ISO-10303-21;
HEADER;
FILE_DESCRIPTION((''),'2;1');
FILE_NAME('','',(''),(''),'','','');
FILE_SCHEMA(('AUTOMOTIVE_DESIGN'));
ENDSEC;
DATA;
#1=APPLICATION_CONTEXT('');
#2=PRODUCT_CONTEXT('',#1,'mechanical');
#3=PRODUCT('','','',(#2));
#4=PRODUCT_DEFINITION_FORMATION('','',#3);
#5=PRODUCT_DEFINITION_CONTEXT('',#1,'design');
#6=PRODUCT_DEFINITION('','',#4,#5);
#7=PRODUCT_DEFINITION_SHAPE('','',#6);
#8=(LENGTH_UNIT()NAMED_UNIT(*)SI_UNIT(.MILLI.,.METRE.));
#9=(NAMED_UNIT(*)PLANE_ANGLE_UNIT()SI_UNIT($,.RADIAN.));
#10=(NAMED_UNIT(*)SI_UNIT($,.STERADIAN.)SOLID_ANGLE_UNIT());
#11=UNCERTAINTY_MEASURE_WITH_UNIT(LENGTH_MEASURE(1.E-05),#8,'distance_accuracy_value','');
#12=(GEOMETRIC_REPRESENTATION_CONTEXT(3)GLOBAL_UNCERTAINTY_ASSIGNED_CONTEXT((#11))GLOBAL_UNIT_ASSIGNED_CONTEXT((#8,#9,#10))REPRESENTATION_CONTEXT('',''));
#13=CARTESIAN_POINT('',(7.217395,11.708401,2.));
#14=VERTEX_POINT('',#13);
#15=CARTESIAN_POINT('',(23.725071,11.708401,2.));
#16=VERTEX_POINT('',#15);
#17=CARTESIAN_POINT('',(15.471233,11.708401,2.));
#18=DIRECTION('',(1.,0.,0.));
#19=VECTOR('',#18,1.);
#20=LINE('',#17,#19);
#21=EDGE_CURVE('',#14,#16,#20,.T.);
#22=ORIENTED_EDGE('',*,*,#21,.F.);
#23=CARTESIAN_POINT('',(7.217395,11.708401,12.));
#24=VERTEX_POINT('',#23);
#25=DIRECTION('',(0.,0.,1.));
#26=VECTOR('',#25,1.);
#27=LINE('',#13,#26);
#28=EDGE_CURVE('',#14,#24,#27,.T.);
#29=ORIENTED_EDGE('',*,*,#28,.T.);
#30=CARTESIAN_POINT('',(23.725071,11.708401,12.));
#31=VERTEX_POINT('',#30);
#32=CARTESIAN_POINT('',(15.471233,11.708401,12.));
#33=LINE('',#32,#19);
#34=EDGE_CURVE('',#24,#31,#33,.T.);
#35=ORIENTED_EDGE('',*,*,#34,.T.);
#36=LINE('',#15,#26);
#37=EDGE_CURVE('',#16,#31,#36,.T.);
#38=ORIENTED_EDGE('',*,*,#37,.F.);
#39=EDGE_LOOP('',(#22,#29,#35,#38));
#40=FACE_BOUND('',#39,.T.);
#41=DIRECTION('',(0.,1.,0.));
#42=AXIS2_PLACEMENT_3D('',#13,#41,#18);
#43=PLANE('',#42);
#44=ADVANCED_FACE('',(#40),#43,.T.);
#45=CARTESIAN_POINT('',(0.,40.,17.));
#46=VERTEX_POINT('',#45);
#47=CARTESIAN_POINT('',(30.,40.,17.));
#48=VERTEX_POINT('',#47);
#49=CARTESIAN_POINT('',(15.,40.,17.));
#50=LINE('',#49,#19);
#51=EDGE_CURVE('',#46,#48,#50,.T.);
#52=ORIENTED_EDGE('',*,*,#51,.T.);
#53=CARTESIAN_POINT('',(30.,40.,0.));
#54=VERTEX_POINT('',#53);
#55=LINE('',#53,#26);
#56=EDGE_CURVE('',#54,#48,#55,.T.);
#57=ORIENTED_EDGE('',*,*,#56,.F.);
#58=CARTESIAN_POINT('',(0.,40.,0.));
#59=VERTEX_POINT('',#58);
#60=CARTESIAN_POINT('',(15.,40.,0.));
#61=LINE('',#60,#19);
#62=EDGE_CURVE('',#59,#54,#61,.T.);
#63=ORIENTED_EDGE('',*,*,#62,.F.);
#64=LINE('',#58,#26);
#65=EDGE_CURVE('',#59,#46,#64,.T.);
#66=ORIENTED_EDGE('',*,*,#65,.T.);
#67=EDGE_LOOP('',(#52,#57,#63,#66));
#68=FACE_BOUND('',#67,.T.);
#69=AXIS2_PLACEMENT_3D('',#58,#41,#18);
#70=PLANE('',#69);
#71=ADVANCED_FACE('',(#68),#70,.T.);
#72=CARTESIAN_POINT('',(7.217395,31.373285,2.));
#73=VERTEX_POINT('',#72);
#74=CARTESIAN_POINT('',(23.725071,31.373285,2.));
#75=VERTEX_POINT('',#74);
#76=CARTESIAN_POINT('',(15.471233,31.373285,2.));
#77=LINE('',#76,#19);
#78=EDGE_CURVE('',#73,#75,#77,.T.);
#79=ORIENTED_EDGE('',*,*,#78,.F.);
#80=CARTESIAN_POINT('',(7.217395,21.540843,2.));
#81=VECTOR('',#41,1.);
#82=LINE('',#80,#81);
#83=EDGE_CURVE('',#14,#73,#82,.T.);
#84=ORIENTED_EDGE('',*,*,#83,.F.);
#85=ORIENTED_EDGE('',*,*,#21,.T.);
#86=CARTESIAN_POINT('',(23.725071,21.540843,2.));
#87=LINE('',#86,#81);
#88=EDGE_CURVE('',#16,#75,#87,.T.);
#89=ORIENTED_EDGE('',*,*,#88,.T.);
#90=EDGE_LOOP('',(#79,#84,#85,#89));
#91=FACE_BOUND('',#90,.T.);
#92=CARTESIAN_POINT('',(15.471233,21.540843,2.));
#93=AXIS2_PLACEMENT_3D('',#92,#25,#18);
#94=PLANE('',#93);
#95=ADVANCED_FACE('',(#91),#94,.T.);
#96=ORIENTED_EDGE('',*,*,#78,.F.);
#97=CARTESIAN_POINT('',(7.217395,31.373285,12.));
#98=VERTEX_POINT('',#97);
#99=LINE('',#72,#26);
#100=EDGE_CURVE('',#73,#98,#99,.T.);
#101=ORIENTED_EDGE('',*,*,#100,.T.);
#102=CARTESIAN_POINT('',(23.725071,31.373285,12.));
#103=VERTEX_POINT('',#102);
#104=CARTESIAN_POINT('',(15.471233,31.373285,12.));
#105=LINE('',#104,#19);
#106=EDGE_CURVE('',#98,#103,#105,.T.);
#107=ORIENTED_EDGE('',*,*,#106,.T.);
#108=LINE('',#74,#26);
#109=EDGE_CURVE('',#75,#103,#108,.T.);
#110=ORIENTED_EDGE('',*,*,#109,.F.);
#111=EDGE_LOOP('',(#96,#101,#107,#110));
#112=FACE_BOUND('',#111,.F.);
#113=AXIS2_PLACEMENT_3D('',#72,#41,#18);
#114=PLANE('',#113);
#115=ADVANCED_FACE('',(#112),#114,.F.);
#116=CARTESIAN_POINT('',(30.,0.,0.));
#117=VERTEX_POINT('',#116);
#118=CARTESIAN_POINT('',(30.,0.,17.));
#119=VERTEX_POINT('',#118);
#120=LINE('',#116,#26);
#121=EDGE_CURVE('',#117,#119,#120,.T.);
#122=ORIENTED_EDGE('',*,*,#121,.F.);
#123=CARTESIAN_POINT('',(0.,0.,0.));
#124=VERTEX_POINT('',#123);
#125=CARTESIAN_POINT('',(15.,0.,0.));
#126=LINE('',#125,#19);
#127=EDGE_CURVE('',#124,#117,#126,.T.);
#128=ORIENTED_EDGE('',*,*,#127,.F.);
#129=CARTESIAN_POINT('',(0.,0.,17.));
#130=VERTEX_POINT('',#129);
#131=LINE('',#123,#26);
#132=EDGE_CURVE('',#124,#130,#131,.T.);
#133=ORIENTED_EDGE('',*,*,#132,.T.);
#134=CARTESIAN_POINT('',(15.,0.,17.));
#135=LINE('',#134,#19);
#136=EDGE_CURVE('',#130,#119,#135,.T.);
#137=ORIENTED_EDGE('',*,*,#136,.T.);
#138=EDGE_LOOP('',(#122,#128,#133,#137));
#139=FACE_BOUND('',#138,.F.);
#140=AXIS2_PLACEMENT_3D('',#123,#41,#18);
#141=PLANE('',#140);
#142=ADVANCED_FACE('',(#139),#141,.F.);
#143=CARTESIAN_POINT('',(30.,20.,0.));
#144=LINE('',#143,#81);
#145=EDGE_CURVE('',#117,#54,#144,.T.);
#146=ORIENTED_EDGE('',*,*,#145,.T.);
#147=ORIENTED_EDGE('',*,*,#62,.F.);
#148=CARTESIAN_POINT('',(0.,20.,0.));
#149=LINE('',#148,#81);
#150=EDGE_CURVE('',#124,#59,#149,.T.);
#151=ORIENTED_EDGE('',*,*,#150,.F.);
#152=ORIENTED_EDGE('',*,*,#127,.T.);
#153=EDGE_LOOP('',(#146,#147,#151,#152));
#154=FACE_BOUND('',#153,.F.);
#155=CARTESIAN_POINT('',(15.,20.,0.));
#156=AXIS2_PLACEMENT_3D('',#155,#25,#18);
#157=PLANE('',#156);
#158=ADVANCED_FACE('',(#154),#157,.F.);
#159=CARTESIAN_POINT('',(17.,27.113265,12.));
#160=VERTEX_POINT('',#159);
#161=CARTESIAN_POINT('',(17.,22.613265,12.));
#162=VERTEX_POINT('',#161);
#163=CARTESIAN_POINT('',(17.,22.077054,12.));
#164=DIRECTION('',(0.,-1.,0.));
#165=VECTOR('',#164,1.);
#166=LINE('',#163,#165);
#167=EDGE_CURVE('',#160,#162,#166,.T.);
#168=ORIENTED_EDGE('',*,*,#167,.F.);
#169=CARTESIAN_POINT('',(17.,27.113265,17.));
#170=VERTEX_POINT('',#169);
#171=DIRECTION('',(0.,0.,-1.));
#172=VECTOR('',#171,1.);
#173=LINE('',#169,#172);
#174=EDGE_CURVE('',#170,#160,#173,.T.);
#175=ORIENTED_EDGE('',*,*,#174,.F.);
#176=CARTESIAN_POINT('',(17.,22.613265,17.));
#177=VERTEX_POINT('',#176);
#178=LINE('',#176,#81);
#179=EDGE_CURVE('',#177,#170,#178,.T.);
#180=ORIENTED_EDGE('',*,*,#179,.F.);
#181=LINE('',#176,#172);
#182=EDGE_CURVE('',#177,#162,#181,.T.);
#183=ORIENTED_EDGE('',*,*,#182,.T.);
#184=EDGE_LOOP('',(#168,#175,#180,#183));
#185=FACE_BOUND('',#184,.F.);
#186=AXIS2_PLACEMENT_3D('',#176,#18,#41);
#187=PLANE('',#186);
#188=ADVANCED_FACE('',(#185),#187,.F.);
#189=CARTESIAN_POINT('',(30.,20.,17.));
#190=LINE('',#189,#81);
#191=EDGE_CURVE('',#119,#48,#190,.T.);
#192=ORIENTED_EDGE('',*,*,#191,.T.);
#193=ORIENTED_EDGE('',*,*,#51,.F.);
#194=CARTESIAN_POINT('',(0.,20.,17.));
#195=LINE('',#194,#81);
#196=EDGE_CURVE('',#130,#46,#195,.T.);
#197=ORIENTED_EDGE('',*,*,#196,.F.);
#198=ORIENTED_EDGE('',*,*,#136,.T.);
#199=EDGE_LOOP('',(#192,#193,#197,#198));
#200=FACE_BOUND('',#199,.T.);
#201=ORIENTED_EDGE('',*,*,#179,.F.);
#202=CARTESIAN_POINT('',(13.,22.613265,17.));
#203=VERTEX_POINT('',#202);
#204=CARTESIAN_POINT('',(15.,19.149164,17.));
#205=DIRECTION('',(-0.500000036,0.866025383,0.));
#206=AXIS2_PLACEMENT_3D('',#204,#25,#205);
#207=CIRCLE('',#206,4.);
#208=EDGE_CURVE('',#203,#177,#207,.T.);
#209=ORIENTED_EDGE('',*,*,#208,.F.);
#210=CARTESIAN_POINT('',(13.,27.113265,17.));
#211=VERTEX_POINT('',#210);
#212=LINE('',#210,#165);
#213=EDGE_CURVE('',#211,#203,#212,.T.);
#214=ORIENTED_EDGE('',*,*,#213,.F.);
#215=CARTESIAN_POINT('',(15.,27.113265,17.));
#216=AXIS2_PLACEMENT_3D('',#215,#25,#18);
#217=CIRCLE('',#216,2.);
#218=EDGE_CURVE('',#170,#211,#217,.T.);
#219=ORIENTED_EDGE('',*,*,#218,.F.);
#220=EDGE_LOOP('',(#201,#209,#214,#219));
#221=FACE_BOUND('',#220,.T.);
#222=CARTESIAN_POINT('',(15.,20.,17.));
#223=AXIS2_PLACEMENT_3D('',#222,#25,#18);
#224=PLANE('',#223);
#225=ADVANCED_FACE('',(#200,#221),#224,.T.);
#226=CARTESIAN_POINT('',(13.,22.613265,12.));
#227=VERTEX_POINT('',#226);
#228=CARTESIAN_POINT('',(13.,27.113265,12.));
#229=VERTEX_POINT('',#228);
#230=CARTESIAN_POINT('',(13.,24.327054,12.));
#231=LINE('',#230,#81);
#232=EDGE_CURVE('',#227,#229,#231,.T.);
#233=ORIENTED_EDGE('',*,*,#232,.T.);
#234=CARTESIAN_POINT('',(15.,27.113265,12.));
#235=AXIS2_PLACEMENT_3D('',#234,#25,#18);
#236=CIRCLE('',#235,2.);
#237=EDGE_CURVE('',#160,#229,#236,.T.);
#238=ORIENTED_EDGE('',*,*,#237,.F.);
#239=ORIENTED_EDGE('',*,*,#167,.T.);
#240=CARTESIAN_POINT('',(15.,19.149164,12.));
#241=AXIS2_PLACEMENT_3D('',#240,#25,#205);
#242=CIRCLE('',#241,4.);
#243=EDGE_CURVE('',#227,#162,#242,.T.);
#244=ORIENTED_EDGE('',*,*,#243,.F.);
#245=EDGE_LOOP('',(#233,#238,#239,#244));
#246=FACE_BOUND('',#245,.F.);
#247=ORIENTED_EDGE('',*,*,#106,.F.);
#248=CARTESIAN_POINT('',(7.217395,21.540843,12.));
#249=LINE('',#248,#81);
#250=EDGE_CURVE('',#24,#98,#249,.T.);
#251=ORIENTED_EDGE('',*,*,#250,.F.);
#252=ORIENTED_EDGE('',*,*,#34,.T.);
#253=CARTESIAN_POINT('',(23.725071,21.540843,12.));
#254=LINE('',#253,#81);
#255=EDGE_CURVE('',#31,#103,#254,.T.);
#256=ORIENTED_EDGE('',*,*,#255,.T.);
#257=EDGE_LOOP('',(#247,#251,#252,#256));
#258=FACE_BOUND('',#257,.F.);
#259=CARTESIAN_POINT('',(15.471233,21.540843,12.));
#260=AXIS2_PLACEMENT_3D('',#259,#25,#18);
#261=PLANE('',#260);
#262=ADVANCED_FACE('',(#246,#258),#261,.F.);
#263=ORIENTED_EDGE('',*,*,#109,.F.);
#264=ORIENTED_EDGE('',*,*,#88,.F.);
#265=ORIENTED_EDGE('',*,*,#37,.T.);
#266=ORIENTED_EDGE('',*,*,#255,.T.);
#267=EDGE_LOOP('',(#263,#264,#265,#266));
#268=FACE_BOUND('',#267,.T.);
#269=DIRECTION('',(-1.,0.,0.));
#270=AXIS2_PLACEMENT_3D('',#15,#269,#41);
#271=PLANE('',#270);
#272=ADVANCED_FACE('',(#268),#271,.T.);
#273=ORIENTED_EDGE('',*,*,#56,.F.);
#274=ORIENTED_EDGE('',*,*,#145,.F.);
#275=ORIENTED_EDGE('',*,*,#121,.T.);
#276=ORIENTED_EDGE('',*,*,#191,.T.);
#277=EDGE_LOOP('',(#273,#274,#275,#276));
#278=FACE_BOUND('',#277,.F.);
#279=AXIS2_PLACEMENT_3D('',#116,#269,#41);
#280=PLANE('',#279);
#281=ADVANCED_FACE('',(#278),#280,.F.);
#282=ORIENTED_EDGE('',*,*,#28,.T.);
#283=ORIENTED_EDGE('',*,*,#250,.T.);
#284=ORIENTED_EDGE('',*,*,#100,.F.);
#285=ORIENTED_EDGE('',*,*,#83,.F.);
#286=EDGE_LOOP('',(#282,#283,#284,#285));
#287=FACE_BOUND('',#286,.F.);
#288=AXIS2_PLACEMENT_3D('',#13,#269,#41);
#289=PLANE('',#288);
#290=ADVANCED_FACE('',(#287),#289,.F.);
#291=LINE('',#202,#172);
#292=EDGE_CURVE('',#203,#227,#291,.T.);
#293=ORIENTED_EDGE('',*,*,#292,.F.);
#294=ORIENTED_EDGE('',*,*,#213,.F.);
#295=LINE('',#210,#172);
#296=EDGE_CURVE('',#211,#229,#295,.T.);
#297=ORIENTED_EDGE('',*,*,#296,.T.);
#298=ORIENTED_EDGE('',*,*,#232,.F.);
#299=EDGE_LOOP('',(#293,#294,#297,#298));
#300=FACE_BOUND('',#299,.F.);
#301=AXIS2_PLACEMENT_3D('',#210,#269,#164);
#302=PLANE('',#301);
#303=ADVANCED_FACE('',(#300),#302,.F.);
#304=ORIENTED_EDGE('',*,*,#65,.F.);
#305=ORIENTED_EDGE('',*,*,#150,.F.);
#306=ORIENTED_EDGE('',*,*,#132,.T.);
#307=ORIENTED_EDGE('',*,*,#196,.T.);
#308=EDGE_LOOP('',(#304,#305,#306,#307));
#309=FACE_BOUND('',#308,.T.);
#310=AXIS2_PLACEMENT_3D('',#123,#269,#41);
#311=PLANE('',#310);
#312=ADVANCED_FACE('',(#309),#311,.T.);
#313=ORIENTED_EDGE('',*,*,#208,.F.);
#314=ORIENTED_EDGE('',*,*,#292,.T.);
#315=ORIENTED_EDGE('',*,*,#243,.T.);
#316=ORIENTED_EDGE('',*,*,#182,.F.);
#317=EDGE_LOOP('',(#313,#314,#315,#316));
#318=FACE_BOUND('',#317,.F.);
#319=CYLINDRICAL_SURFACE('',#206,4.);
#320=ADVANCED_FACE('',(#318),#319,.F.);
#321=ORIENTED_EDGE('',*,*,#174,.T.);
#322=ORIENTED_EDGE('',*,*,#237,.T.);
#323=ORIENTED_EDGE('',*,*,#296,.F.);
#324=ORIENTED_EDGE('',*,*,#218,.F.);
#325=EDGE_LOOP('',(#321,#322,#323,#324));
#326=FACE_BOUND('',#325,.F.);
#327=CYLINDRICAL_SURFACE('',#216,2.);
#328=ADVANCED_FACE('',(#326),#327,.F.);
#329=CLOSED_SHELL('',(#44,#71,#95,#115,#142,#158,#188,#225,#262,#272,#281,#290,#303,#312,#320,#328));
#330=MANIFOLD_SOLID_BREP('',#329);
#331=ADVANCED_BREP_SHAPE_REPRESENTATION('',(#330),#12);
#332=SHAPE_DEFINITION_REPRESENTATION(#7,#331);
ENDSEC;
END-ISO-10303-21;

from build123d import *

# Parameters (mm, degrees)
F0_W     = 30
F0_H     = 40
F1_DEPTH = 17
F3_DEPTH = 15
F4_W     = 16.507677
F4_H     = 19.664884
F5_DEPTH = 10


with BuildPart() as f1:
    # F0 (on Top) → F1 (new body)
    with BuildSketch(Plane.XY):
        with Locations((15, 20)):
            Rectangle(F0_W, F0_H)
    extrude(amount=F1_DEPTH)

    # F2 (on face) → F3 (cut)
    with BuildSketch(Plane.XY.offset(17)):
        with BuildLine():
            Line((13, 27.113265), (13, 22.613265))
            ThreePointArc((13, 22.613265), (15, 15.149164), (17, 22.613265))
            Line((17, 22.613265), (17, 27.113265))
            ThreePointArc((17, 27.113265), (15, 29.113265), (13, 27.113265))
        make_face()
    extrude(amount=-F3_DEPTH, mode=Mode.SUBTRACT)

    # F4 (on face) → F5 (cut)
    with BuildSketch(Plane.XY.offset(2)):
        with Locations((15.471233, 21.540843)):
            Rectangle(F4_W, F4_H)
    extrude(amount=F5_DEPTH, mode=Mode.SUBTRACT)


solid = f1.part
